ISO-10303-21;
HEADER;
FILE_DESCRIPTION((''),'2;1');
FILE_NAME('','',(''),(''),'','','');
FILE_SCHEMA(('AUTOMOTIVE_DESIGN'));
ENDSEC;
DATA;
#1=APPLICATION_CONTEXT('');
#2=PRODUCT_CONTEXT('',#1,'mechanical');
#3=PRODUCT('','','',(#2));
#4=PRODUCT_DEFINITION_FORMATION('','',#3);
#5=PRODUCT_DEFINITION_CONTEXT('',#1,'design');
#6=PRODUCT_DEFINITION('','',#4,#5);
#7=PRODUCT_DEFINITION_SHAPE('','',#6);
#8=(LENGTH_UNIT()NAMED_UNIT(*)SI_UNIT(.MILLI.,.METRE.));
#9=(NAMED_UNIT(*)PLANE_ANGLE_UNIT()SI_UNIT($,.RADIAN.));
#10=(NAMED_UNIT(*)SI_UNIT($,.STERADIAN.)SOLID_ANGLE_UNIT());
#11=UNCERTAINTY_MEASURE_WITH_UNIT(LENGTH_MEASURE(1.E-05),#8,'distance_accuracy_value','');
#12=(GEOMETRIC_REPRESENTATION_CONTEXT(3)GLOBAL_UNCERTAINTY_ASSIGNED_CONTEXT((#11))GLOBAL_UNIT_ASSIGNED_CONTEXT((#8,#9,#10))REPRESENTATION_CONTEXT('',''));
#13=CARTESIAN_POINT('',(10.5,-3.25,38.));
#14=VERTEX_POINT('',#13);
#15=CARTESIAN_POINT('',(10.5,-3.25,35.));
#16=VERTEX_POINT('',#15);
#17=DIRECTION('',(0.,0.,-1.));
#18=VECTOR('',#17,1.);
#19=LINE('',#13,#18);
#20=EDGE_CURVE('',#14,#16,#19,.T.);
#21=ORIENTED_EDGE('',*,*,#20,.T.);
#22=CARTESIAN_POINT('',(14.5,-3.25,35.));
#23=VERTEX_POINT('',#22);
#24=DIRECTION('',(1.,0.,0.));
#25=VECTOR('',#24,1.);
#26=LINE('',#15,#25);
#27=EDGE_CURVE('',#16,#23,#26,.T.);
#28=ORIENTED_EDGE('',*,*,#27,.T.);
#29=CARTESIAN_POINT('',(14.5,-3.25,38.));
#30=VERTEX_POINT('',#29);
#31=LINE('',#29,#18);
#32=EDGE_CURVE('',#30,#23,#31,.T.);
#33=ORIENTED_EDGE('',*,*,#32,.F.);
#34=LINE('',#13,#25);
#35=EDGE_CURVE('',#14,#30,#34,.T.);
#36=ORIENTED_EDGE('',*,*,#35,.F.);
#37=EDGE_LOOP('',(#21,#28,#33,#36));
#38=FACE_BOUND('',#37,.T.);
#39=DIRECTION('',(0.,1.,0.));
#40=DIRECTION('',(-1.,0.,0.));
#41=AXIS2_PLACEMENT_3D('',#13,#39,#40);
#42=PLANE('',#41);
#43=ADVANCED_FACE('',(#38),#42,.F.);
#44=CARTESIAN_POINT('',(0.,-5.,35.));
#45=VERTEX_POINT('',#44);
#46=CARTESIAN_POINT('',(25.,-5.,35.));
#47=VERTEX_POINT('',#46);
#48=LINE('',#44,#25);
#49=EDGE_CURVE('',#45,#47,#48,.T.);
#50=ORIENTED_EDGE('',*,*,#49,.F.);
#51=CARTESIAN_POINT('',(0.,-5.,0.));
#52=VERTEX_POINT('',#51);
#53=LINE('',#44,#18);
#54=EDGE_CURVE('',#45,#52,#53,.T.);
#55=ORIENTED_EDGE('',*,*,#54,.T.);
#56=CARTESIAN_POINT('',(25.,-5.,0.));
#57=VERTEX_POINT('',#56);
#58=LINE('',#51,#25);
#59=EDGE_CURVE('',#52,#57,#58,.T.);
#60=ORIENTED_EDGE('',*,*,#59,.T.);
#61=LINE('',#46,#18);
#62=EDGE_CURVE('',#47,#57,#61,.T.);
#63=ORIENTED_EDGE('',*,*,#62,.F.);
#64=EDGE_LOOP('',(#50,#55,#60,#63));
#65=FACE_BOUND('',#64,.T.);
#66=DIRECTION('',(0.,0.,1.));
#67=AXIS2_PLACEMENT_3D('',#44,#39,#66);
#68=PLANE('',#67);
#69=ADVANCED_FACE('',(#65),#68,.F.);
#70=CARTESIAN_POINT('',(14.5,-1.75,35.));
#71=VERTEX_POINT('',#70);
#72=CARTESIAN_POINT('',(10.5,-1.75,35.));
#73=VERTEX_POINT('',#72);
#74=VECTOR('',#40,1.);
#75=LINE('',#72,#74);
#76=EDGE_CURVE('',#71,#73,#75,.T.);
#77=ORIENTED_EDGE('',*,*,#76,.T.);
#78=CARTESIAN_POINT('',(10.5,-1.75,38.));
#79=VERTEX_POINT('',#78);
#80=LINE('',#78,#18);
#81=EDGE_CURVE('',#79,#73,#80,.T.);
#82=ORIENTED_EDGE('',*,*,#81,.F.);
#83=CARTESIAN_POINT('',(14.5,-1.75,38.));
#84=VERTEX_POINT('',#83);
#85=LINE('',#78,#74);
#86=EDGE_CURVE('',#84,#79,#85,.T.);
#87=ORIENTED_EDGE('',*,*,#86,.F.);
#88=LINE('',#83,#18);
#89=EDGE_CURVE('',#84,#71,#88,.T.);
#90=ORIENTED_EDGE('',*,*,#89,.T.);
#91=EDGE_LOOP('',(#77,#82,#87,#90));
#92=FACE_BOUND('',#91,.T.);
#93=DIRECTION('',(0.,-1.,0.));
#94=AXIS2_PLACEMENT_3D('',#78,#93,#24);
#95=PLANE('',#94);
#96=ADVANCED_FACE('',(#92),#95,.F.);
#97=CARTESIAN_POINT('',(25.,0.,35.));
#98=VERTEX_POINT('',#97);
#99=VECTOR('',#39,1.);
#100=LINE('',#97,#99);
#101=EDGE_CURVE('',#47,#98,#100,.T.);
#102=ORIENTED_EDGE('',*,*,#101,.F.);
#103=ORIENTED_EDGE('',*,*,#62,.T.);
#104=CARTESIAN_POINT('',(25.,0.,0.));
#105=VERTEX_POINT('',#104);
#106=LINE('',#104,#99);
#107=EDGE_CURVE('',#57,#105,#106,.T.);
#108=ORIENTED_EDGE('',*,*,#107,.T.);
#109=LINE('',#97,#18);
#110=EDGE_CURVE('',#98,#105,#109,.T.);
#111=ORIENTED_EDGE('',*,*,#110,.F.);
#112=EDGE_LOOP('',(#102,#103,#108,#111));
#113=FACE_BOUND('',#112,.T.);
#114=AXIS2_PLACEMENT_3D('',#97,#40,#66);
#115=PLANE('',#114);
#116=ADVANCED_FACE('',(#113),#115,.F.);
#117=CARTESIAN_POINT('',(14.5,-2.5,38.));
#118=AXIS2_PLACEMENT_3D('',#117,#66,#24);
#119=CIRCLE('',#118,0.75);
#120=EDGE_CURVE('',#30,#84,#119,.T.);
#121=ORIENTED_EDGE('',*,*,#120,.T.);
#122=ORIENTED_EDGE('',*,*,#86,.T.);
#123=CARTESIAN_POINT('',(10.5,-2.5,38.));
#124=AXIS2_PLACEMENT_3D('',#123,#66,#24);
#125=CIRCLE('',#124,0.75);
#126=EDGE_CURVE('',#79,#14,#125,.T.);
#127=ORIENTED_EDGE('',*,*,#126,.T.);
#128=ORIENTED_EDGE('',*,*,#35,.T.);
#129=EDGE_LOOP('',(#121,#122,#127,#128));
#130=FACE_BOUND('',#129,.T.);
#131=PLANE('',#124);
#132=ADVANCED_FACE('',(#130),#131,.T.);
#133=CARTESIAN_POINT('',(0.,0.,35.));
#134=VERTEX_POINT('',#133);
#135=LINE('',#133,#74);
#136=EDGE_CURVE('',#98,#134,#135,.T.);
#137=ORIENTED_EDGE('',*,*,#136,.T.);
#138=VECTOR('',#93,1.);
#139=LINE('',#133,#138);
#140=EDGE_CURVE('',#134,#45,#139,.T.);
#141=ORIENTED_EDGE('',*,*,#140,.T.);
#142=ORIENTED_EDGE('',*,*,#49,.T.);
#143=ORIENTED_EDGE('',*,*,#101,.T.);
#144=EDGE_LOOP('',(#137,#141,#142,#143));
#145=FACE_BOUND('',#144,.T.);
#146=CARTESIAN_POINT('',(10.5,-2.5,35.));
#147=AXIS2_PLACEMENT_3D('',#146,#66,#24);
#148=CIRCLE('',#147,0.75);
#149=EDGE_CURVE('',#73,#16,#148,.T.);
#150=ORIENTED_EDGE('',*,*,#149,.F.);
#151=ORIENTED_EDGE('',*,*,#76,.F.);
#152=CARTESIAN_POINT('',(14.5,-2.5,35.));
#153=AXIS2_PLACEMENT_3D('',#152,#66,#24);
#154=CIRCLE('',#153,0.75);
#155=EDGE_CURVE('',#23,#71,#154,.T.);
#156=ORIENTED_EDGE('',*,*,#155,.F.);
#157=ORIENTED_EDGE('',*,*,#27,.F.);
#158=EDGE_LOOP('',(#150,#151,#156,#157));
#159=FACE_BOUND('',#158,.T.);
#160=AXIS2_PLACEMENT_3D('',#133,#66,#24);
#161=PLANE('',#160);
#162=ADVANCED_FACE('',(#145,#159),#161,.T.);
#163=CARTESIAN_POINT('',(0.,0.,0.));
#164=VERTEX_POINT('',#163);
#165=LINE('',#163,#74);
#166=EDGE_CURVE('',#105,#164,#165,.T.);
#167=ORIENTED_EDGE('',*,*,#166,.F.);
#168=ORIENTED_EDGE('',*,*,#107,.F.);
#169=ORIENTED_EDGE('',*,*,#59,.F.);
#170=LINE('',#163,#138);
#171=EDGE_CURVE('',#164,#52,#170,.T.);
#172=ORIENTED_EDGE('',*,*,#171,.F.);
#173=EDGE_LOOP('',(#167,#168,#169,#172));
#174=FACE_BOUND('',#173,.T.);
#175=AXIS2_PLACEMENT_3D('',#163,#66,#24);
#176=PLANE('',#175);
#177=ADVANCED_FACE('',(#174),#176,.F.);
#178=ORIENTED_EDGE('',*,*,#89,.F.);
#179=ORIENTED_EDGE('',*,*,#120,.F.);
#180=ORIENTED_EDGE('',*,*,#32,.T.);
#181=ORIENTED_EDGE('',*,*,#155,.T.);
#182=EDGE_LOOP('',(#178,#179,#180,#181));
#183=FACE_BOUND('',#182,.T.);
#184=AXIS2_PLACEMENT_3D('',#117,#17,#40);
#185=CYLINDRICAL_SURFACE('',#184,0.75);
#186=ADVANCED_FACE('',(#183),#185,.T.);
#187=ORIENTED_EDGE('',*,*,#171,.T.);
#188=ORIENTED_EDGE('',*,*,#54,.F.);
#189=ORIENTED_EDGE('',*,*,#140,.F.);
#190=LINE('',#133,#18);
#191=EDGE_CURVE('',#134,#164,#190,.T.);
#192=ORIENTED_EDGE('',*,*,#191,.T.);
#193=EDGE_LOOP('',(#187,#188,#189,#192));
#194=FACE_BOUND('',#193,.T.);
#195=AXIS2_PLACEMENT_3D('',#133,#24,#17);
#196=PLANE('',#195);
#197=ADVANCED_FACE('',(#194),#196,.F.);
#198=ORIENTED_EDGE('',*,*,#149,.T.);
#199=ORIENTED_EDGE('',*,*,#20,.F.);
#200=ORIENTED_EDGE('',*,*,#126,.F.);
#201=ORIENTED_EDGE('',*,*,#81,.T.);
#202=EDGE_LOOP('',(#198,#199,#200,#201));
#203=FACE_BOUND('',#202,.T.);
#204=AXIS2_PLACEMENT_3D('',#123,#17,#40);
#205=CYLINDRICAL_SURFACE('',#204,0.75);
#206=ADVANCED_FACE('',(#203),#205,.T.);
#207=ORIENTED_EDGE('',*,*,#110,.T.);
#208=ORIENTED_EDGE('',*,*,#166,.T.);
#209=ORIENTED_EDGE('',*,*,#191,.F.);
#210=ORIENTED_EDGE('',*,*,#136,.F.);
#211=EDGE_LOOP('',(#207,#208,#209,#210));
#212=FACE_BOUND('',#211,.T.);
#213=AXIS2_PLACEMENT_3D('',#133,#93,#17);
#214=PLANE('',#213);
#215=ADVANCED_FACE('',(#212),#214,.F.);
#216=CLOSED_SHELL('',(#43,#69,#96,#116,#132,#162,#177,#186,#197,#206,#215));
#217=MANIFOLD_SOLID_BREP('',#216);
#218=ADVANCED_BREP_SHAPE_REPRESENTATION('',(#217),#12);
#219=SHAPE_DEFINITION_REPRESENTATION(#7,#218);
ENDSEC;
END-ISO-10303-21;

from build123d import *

# Parameters (mm, degrees)
SKETCH1_W           = 25
SKETCH1_H           = 5
BOSS_EXTRUDE1_DEPTH = 35
BOSS_EXTRUDE2_DEPTH = 3


with BuildPart() as part:
    # Sketch1 → Boss-Extrude1 (new body)
    with BuildSketch(Plane.XY):
        with Locations((12.5, -2.5)):
            Rectangle(SKETCH1_W, SKETCH1_H)
    extrude(amount=BOSS_EXTRUDE1_DEPTH)

    # Sketch2 → Boss-Extrude2 (add)
    with BuildSketch(Plane.XY.offset(35)):
        with BuildLine():
            Line((10.5, -1.75), (14.5, -1.75))
            ThreePointArc((14.5, -1.75), (15.25, -2.5), (14.5, -3.25))
            Line((14.5, -3.25), (10.5, -3.25))
            ThreePointArc((10.5, -3.25), (9.75, -2.5), (10.5, -1.75))
        make_face()
    extrude(amount=BOSS_EXTRUDE2_DEPTH)


solid = part.part
